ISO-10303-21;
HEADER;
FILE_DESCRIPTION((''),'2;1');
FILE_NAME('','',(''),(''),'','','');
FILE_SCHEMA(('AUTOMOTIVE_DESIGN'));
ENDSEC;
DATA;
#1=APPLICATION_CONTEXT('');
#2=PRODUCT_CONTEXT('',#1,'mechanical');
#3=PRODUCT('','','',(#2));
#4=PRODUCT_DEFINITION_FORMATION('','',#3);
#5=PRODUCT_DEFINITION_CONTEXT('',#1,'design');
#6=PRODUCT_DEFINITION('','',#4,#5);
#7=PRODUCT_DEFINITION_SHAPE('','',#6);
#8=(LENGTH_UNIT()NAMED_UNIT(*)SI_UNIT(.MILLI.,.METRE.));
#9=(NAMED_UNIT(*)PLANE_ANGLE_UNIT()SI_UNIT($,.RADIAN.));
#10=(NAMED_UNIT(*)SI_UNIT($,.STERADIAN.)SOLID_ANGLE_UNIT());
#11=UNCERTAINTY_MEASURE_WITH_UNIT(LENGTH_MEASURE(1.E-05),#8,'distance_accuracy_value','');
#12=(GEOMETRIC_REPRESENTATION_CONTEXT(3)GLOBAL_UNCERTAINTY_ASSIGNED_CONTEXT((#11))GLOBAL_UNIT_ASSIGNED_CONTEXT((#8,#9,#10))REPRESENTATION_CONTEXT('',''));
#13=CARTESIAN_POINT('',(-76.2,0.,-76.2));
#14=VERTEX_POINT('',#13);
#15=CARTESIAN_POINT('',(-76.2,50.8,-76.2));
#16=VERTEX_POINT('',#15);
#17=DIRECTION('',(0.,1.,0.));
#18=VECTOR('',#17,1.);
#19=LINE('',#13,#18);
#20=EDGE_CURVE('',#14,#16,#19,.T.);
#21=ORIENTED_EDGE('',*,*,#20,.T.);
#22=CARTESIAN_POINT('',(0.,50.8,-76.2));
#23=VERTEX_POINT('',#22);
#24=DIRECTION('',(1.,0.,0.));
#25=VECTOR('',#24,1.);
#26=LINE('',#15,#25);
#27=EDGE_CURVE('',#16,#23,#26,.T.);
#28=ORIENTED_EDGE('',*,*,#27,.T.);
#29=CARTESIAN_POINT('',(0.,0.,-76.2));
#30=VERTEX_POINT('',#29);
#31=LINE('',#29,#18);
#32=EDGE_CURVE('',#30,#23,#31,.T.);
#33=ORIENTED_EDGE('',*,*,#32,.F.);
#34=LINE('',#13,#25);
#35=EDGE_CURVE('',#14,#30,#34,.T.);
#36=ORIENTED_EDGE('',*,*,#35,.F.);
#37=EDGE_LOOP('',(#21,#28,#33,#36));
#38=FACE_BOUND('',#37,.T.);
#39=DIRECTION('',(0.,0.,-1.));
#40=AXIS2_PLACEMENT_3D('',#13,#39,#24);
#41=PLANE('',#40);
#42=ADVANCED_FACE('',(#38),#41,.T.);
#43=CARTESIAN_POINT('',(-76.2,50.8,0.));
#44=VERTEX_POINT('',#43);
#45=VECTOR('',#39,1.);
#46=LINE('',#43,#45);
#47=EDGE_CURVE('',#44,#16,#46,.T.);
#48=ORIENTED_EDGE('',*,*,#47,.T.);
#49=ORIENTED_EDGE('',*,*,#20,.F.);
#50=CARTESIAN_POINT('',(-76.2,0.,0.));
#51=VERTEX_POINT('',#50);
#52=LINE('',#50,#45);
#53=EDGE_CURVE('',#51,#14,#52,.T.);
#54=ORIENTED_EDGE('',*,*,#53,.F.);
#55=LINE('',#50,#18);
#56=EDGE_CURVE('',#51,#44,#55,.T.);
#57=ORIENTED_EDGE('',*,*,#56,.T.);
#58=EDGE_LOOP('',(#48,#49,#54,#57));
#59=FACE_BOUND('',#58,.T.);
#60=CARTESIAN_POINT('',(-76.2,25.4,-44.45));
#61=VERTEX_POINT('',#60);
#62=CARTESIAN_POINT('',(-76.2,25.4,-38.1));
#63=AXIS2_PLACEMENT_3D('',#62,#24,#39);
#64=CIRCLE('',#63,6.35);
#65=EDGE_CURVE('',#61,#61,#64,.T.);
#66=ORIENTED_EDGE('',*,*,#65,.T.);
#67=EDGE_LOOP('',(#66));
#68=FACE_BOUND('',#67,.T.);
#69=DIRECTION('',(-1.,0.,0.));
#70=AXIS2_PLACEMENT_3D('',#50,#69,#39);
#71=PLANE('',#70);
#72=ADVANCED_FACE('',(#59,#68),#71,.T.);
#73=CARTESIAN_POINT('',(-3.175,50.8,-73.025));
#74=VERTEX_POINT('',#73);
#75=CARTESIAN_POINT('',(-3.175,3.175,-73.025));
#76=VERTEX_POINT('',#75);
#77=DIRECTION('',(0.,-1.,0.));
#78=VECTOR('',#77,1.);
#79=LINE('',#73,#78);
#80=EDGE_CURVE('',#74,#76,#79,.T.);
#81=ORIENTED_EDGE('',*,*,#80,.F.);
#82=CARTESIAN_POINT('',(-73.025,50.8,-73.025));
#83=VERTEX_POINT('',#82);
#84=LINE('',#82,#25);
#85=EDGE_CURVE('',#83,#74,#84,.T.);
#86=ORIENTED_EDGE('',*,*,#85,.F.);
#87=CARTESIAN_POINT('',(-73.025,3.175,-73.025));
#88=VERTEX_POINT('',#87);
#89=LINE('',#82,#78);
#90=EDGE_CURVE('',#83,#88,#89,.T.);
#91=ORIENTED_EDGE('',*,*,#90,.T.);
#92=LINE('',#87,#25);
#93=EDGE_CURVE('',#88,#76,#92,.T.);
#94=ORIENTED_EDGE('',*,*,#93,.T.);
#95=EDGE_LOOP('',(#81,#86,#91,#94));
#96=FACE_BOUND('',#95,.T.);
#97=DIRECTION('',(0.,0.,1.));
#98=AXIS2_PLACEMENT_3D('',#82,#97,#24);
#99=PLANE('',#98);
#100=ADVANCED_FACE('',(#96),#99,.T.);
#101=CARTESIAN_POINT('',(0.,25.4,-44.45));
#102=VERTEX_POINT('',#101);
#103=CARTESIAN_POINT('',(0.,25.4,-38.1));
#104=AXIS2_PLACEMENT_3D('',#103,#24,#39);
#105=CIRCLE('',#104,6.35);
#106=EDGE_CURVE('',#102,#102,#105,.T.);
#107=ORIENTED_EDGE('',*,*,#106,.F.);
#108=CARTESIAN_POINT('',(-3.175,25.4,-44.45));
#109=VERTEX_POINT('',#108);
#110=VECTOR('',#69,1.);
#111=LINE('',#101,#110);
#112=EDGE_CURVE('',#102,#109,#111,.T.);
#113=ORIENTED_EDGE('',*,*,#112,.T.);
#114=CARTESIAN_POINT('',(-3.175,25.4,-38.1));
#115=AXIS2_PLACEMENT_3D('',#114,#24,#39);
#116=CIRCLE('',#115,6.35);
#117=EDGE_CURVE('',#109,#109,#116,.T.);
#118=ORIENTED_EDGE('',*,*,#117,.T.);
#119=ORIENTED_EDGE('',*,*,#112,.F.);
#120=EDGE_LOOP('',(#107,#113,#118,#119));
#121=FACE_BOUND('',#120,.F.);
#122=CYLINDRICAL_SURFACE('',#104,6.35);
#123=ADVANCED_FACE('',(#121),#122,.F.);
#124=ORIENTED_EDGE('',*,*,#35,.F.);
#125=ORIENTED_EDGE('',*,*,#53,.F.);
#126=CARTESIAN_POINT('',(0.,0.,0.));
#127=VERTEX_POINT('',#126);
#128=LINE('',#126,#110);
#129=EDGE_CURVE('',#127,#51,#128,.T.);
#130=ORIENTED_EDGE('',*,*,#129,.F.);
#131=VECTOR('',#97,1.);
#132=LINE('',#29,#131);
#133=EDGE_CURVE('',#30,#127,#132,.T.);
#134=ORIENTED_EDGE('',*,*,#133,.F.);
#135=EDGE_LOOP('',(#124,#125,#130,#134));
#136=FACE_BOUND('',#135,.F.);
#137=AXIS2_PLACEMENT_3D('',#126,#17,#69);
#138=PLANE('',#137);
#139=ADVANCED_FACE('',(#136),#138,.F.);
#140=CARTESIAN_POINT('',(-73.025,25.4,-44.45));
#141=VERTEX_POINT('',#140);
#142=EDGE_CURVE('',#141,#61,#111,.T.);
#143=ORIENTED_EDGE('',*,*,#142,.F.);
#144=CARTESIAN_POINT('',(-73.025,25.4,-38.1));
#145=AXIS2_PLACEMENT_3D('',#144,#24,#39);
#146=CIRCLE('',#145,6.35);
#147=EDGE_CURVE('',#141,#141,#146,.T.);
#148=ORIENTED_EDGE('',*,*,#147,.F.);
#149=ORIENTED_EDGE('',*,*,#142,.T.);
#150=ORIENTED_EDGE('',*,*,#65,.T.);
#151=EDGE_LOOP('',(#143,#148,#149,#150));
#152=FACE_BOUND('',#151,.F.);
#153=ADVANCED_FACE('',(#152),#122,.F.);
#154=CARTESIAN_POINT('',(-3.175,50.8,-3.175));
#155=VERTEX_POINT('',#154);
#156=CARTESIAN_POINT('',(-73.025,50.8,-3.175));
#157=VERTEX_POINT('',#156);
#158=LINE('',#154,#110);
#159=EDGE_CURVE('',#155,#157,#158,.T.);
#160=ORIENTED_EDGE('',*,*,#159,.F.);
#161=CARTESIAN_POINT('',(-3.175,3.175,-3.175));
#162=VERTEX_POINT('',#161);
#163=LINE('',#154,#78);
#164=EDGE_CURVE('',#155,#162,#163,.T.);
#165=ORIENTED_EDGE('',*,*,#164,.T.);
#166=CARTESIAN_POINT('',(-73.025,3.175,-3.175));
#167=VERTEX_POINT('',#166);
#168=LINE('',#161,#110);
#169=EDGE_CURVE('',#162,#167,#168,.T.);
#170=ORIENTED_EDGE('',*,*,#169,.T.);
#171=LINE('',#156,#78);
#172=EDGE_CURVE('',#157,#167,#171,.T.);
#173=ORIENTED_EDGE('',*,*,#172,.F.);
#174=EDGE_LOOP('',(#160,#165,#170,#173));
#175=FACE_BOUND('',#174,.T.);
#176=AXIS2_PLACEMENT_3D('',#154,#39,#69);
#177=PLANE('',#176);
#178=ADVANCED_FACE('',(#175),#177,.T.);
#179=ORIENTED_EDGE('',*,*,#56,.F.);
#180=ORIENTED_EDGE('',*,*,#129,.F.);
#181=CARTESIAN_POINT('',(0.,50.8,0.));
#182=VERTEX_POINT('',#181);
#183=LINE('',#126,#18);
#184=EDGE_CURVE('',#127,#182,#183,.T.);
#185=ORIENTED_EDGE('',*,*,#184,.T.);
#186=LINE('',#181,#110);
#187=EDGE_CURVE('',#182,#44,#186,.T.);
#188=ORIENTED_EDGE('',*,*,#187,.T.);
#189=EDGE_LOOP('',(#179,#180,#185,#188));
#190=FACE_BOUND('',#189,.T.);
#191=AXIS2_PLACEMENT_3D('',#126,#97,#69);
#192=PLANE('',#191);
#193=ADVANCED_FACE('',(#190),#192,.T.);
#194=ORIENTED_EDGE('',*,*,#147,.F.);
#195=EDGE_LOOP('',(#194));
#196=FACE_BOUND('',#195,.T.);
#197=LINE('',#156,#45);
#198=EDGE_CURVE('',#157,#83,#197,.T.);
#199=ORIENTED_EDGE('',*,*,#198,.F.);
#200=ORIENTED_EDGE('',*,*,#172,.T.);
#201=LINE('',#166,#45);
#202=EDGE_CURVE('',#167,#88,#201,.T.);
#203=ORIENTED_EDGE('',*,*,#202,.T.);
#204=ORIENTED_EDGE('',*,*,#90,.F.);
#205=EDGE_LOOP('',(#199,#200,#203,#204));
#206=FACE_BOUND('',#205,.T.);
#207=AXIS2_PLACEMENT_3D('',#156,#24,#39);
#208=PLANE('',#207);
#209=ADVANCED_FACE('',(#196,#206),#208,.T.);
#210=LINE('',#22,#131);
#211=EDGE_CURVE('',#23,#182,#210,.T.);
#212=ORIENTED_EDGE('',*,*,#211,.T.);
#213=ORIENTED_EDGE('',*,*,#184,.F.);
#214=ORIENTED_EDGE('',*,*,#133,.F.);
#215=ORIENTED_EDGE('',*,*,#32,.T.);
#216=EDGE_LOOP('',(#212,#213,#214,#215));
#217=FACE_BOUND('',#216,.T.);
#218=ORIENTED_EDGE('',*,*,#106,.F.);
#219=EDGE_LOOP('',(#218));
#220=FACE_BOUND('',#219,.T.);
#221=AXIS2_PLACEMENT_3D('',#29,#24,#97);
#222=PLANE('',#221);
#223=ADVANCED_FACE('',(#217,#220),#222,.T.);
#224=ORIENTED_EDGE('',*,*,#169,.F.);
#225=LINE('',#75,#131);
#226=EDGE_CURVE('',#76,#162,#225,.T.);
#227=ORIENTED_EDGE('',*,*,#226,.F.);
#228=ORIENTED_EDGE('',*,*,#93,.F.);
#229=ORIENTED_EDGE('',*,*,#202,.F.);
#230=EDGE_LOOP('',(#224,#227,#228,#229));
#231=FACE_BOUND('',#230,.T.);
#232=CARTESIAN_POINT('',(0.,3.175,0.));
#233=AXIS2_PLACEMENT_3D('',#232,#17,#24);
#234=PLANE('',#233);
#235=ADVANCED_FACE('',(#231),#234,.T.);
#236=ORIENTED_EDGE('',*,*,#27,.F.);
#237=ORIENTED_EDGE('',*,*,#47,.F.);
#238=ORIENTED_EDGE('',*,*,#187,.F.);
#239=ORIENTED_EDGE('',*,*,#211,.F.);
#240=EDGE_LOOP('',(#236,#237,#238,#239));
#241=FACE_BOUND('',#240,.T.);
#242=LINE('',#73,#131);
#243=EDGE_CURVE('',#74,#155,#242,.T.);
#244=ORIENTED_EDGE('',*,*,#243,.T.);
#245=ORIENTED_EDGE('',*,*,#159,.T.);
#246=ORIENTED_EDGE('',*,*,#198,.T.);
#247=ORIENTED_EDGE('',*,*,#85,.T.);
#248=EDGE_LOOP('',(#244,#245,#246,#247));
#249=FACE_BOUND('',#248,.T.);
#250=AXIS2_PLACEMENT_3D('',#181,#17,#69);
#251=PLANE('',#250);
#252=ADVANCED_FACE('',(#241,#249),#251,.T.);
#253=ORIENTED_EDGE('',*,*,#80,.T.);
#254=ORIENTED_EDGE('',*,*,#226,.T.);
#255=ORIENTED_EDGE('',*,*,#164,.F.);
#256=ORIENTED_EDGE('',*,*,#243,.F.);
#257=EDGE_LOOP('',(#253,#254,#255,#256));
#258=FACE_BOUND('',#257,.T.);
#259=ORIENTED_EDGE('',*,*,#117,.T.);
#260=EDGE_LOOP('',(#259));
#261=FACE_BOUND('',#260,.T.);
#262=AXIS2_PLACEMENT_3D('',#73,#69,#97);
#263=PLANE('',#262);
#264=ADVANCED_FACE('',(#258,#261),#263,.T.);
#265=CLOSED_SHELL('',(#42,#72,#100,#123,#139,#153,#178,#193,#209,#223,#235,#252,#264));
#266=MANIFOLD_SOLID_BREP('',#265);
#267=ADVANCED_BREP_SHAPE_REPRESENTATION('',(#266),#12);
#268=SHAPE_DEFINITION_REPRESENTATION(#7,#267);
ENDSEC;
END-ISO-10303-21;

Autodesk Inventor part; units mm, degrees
ref_plane "YZ Plane" through (0, 0, 0) normal (1, 0, 0) x (0, 1, 0)
ref_plane "XZ Plane" through (0, 0, 0) normal (0, 1, 0) x (-1, 0, 0)
ref_plane "XY Plane" through (0, 0, 0) normal (0, 0, 1) x (1, 0, 0)
sketch "Sketch1" plane through (0, 0, 0) normal (0, 1, 0) x (-1, 0, 0)
  line L0 (0, 0) -> (76.2, 0)
  line L1 (76.2, 0) -> (76.2, -76.2)
  line L2 (76.2, -76.2) -> (0, -76.2)
  line L3 (0, -76.2) -> (0, 0)
  dimension "d0" = 76.2
  dimension "d1" = 76.2
extrude "Extrusion1" add sketch "Sketch1" along normal blind 50.8
sketch "Sketch2" plane through (0, 50.8, 0) normal (0, 1, 0) x (1, 0, 0)
  line L0 (0, 76.2) -> (-76.2, 76.2) projected
  line L1 (-76.2, 76.2) -> (-76.2, 0) projected
  line L2 (-76.2, 0) -> (0, 0) projected
  line L3 (0, 0) -> (0, 76.2) projected
  line L4 (-73.025, 73.025) -> (-3.175, 73.025)
  line L5 (-3.175, 73.025) -> (-3.175, 3.175)
  line L6 (-3.175, 3.175) -> (-73.025, 3.175)
  line L7 (-73.025, 3.175) -> (-73.025, 73.025)
  dimension "d4" = 3.175
  dimension "d5" = 3.175
  dimension "d6" = 3.175
  dimension "d7" = 3.175
extrude "Extrusion2" cut sketch "Sketch2" against normal blind 47.625 contours L4 L5 L6 L7
sketch "Sketch3" plane through (0, 0, 0) normal (1, 0, 0) x (0, 0, -1)
  line L0 (0, 0) -> (76.2, 0) projected
  line L1 (76.2, 0) -> (76.2, 50.8) projected
  line L2 (0, 50.8) -> (76.2, 50.8) projected
  line L3 (0, 0) -> (0, 50.8) projected
  circle A0 centre (38.1, 25.4) radius 6.35
  dimension "d10" = 12.7
extrude "Extrusion3" cut sketch "Sketch3" against normal through all contours A0
properties part number "FakeHousing"
